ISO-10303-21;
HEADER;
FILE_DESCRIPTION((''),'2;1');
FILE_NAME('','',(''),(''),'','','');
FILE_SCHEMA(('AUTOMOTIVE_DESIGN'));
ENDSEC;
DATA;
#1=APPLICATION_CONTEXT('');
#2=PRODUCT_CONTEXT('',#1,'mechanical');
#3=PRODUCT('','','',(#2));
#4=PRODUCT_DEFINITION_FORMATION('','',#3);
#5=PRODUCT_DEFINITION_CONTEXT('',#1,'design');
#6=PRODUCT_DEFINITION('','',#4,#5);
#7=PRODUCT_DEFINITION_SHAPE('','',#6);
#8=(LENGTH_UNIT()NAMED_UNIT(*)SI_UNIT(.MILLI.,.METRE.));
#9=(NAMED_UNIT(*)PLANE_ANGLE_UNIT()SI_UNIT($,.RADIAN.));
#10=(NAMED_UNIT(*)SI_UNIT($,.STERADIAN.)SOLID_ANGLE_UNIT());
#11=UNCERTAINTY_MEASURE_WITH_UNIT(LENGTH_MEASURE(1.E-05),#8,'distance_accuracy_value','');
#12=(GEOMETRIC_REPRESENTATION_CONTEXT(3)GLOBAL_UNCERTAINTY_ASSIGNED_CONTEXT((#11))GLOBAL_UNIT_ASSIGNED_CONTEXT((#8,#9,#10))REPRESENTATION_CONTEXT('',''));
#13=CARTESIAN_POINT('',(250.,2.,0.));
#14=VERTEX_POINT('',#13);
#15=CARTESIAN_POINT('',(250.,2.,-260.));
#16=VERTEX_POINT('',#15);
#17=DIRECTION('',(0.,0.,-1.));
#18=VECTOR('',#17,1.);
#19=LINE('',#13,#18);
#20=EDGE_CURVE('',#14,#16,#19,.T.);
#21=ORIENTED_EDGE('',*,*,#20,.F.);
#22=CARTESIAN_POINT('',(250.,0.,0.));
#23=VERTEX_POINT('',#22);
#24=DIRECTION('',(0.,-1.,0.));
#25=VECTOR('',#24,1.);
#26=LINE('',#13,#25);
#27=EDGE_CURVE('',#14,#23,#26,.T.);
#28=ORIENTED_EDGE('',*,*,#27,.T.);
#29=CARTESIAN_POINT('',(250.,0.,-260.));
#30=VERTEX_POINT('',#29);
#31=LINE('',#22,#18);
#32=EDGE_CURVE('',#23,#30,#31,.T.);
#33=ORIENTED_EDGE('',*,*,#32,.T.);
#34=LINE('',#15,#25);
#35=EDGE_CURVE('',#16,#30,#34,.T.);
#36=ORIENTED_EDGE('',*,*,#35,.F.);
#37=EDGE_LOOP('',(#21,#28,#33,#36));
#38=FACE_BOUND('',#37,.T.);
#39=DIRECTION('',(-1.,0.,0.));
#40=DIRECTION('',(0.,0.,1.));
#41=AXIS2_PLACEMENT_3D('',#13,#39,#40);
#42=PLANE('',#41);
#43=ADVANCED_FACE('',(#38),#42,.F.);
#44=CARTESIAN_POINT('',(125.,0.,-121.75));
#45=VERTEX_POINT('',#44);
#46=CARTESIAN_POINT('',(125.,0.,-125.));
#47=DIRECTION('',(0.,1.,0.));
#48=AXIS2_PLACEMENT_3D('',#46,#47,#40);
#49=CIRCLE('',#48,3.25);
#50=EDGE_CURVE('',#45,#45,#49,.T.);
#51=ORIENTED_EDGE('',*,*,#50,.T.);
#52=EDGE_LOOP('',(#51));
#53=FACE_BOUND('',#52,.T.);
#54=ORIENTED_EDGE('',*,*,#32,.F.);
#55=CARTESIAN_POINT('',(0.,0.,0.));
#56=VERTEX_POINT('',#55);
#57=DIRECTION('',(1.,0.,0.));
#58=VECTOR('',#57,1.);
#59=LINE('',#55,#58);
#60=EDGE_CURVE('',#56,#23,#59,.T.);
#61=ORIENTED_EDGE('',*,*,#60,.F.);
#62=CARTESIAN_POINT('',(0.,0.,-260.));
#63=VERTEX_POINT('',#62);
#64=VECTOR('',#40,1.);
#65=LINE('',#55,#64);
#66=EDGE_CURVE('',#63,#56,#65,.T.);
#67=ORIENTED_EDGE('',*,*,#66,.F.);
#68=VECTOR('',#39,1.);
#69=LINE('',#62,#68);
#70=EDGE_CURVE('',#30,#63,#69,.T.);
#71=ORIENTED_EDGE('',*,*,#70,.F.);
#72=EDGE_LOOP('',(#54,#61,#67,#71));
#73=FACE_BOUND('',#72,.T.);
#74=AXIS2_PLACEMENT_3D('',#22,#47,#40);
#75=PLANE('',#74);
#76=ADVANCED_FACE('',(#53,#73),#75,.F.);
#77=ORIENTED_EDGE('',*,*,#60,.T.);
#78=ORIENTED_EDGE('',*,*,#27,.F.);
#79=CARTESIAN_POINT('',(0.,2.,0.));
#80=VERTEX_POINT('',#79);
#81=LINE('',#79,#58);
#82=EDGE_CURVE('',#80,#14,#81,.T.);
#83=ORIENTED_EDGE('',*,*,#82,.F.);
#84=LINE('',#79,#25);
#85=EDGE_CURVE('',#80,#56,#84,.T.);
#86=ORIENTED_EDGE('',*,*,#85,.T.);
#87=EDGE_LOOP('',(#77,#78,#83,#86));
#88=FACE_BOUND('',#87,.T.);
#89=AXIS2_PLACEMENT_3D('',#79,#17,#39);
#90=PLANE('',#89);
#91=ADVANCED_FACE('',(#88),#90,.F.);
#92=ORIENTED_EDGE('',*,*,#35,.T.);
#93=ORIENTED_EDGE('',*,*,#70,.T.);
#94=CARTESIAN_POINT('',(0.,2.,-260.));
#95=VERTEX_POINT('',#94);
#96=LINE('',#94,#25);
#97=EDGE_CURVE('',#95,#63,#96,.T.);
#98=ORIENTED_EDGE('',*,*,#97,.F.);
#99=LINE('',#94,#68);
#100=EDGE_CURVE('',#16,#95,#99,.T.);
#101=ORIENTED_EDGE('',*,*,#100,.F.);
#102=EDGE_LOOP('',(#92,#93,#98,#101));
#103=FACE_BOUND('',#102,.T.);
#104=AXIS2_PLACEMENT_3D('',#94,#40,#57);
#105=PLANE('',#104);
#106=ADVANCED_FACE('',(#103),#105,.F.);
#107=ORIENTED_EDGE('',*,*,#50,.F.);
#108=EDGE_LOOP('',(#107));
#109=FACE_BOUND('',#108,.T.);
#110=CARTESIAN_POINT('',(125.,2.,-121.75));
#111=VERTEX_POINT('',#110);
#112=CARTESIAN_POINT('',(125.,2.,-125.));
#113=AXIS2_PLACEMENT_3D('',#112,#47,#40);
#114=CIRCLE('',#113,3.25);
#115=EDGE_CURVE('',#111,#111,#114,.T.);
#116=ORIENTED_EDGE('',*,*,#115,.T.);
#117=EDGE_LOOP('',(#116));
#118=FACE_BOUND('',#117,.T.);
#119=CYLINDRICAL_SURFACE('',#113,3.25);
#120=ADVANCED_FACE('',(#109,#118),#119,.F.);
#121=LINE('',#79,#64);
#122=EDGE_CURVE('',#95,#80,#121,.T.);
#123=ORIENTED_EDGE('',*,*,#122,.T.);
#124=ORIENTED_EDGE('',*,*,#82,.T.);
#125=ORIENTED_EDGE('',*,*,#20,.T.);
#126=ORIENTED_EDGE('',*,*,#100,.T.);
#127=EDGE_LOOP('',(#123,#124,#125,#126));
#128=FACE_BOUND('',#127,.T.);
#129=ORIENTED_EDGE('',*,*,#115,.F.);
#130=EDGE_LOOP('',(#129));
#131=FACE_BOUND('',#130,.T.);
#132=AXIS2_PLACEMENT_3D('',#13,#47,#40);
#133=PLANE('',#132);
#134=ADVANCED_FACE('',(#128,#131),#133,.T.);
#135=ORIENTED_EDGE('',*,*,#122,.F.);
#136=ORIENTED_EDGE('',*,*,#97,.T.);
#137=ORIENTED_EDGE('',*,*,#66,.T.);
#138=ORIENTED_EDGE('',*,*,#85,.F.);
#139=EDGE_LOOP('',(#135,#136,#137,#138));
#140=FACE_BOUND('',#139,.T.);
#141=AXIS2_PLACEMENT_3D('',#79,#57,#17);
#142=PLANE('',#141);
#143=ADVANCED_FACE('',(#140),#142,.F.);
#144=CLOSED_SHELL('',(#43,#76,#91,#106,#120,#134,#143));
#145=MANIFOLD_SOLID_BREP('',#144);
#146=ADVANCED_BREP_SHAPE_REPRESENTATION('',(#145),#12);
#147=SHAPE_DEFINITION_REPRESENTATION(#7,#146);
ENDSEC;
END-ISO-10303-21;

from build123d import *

# Parameters (mm, degrees)
SKETCH1_W               = 250
SKETCH1_H               = 260
BOSS_EXTRUDE1_DEPTH     = 2
THRMOCOUPLER_HOLE_D     = 6.5
THRMOCOUPLER_HOLE_DEPTH = 23
THRMOCOUPLER_HOLE_TIP   = 1.952797012


with BuildPart() as part:
    # Sketch1 → Boss-Extrude1 (new body)
    with BuildSketch(Plane(origin=(0, 0, 0), x_dir=(1, 0, 0), z_dir=(0, 1, 0))):
        with Locations((125, 130)):
            Rectangle(SKETCH1_W, SKETCH1_H)
    extrude(amount=BOSS_EXTRUDE1_DEPTH)

    # Thrmocoupler hole
    with Locations(Plane(origin=(0, 2, 0), x_dir=(-1, 0, 0), z_dir=(0, 1, 0))):
        with Locations((-125, -125)):
            Hole(THRMOCOUPLER_HOLE_D / 2, depth=THRMOCOUPLER_HOLE_DEPTH)
            with Locations((0, 0, -(THRMOCOUPLER_HOLE_DEPTH + THRMOCOUPLER_HOLE_TIP / 2))):  # 118° drill point
                Cone(0, THRMOCOUPLER_HOLE_D / 2, THRMOCOUPLER_HOLE_TIP, mode=Mode.SUBTRACT)


solid = part.part
